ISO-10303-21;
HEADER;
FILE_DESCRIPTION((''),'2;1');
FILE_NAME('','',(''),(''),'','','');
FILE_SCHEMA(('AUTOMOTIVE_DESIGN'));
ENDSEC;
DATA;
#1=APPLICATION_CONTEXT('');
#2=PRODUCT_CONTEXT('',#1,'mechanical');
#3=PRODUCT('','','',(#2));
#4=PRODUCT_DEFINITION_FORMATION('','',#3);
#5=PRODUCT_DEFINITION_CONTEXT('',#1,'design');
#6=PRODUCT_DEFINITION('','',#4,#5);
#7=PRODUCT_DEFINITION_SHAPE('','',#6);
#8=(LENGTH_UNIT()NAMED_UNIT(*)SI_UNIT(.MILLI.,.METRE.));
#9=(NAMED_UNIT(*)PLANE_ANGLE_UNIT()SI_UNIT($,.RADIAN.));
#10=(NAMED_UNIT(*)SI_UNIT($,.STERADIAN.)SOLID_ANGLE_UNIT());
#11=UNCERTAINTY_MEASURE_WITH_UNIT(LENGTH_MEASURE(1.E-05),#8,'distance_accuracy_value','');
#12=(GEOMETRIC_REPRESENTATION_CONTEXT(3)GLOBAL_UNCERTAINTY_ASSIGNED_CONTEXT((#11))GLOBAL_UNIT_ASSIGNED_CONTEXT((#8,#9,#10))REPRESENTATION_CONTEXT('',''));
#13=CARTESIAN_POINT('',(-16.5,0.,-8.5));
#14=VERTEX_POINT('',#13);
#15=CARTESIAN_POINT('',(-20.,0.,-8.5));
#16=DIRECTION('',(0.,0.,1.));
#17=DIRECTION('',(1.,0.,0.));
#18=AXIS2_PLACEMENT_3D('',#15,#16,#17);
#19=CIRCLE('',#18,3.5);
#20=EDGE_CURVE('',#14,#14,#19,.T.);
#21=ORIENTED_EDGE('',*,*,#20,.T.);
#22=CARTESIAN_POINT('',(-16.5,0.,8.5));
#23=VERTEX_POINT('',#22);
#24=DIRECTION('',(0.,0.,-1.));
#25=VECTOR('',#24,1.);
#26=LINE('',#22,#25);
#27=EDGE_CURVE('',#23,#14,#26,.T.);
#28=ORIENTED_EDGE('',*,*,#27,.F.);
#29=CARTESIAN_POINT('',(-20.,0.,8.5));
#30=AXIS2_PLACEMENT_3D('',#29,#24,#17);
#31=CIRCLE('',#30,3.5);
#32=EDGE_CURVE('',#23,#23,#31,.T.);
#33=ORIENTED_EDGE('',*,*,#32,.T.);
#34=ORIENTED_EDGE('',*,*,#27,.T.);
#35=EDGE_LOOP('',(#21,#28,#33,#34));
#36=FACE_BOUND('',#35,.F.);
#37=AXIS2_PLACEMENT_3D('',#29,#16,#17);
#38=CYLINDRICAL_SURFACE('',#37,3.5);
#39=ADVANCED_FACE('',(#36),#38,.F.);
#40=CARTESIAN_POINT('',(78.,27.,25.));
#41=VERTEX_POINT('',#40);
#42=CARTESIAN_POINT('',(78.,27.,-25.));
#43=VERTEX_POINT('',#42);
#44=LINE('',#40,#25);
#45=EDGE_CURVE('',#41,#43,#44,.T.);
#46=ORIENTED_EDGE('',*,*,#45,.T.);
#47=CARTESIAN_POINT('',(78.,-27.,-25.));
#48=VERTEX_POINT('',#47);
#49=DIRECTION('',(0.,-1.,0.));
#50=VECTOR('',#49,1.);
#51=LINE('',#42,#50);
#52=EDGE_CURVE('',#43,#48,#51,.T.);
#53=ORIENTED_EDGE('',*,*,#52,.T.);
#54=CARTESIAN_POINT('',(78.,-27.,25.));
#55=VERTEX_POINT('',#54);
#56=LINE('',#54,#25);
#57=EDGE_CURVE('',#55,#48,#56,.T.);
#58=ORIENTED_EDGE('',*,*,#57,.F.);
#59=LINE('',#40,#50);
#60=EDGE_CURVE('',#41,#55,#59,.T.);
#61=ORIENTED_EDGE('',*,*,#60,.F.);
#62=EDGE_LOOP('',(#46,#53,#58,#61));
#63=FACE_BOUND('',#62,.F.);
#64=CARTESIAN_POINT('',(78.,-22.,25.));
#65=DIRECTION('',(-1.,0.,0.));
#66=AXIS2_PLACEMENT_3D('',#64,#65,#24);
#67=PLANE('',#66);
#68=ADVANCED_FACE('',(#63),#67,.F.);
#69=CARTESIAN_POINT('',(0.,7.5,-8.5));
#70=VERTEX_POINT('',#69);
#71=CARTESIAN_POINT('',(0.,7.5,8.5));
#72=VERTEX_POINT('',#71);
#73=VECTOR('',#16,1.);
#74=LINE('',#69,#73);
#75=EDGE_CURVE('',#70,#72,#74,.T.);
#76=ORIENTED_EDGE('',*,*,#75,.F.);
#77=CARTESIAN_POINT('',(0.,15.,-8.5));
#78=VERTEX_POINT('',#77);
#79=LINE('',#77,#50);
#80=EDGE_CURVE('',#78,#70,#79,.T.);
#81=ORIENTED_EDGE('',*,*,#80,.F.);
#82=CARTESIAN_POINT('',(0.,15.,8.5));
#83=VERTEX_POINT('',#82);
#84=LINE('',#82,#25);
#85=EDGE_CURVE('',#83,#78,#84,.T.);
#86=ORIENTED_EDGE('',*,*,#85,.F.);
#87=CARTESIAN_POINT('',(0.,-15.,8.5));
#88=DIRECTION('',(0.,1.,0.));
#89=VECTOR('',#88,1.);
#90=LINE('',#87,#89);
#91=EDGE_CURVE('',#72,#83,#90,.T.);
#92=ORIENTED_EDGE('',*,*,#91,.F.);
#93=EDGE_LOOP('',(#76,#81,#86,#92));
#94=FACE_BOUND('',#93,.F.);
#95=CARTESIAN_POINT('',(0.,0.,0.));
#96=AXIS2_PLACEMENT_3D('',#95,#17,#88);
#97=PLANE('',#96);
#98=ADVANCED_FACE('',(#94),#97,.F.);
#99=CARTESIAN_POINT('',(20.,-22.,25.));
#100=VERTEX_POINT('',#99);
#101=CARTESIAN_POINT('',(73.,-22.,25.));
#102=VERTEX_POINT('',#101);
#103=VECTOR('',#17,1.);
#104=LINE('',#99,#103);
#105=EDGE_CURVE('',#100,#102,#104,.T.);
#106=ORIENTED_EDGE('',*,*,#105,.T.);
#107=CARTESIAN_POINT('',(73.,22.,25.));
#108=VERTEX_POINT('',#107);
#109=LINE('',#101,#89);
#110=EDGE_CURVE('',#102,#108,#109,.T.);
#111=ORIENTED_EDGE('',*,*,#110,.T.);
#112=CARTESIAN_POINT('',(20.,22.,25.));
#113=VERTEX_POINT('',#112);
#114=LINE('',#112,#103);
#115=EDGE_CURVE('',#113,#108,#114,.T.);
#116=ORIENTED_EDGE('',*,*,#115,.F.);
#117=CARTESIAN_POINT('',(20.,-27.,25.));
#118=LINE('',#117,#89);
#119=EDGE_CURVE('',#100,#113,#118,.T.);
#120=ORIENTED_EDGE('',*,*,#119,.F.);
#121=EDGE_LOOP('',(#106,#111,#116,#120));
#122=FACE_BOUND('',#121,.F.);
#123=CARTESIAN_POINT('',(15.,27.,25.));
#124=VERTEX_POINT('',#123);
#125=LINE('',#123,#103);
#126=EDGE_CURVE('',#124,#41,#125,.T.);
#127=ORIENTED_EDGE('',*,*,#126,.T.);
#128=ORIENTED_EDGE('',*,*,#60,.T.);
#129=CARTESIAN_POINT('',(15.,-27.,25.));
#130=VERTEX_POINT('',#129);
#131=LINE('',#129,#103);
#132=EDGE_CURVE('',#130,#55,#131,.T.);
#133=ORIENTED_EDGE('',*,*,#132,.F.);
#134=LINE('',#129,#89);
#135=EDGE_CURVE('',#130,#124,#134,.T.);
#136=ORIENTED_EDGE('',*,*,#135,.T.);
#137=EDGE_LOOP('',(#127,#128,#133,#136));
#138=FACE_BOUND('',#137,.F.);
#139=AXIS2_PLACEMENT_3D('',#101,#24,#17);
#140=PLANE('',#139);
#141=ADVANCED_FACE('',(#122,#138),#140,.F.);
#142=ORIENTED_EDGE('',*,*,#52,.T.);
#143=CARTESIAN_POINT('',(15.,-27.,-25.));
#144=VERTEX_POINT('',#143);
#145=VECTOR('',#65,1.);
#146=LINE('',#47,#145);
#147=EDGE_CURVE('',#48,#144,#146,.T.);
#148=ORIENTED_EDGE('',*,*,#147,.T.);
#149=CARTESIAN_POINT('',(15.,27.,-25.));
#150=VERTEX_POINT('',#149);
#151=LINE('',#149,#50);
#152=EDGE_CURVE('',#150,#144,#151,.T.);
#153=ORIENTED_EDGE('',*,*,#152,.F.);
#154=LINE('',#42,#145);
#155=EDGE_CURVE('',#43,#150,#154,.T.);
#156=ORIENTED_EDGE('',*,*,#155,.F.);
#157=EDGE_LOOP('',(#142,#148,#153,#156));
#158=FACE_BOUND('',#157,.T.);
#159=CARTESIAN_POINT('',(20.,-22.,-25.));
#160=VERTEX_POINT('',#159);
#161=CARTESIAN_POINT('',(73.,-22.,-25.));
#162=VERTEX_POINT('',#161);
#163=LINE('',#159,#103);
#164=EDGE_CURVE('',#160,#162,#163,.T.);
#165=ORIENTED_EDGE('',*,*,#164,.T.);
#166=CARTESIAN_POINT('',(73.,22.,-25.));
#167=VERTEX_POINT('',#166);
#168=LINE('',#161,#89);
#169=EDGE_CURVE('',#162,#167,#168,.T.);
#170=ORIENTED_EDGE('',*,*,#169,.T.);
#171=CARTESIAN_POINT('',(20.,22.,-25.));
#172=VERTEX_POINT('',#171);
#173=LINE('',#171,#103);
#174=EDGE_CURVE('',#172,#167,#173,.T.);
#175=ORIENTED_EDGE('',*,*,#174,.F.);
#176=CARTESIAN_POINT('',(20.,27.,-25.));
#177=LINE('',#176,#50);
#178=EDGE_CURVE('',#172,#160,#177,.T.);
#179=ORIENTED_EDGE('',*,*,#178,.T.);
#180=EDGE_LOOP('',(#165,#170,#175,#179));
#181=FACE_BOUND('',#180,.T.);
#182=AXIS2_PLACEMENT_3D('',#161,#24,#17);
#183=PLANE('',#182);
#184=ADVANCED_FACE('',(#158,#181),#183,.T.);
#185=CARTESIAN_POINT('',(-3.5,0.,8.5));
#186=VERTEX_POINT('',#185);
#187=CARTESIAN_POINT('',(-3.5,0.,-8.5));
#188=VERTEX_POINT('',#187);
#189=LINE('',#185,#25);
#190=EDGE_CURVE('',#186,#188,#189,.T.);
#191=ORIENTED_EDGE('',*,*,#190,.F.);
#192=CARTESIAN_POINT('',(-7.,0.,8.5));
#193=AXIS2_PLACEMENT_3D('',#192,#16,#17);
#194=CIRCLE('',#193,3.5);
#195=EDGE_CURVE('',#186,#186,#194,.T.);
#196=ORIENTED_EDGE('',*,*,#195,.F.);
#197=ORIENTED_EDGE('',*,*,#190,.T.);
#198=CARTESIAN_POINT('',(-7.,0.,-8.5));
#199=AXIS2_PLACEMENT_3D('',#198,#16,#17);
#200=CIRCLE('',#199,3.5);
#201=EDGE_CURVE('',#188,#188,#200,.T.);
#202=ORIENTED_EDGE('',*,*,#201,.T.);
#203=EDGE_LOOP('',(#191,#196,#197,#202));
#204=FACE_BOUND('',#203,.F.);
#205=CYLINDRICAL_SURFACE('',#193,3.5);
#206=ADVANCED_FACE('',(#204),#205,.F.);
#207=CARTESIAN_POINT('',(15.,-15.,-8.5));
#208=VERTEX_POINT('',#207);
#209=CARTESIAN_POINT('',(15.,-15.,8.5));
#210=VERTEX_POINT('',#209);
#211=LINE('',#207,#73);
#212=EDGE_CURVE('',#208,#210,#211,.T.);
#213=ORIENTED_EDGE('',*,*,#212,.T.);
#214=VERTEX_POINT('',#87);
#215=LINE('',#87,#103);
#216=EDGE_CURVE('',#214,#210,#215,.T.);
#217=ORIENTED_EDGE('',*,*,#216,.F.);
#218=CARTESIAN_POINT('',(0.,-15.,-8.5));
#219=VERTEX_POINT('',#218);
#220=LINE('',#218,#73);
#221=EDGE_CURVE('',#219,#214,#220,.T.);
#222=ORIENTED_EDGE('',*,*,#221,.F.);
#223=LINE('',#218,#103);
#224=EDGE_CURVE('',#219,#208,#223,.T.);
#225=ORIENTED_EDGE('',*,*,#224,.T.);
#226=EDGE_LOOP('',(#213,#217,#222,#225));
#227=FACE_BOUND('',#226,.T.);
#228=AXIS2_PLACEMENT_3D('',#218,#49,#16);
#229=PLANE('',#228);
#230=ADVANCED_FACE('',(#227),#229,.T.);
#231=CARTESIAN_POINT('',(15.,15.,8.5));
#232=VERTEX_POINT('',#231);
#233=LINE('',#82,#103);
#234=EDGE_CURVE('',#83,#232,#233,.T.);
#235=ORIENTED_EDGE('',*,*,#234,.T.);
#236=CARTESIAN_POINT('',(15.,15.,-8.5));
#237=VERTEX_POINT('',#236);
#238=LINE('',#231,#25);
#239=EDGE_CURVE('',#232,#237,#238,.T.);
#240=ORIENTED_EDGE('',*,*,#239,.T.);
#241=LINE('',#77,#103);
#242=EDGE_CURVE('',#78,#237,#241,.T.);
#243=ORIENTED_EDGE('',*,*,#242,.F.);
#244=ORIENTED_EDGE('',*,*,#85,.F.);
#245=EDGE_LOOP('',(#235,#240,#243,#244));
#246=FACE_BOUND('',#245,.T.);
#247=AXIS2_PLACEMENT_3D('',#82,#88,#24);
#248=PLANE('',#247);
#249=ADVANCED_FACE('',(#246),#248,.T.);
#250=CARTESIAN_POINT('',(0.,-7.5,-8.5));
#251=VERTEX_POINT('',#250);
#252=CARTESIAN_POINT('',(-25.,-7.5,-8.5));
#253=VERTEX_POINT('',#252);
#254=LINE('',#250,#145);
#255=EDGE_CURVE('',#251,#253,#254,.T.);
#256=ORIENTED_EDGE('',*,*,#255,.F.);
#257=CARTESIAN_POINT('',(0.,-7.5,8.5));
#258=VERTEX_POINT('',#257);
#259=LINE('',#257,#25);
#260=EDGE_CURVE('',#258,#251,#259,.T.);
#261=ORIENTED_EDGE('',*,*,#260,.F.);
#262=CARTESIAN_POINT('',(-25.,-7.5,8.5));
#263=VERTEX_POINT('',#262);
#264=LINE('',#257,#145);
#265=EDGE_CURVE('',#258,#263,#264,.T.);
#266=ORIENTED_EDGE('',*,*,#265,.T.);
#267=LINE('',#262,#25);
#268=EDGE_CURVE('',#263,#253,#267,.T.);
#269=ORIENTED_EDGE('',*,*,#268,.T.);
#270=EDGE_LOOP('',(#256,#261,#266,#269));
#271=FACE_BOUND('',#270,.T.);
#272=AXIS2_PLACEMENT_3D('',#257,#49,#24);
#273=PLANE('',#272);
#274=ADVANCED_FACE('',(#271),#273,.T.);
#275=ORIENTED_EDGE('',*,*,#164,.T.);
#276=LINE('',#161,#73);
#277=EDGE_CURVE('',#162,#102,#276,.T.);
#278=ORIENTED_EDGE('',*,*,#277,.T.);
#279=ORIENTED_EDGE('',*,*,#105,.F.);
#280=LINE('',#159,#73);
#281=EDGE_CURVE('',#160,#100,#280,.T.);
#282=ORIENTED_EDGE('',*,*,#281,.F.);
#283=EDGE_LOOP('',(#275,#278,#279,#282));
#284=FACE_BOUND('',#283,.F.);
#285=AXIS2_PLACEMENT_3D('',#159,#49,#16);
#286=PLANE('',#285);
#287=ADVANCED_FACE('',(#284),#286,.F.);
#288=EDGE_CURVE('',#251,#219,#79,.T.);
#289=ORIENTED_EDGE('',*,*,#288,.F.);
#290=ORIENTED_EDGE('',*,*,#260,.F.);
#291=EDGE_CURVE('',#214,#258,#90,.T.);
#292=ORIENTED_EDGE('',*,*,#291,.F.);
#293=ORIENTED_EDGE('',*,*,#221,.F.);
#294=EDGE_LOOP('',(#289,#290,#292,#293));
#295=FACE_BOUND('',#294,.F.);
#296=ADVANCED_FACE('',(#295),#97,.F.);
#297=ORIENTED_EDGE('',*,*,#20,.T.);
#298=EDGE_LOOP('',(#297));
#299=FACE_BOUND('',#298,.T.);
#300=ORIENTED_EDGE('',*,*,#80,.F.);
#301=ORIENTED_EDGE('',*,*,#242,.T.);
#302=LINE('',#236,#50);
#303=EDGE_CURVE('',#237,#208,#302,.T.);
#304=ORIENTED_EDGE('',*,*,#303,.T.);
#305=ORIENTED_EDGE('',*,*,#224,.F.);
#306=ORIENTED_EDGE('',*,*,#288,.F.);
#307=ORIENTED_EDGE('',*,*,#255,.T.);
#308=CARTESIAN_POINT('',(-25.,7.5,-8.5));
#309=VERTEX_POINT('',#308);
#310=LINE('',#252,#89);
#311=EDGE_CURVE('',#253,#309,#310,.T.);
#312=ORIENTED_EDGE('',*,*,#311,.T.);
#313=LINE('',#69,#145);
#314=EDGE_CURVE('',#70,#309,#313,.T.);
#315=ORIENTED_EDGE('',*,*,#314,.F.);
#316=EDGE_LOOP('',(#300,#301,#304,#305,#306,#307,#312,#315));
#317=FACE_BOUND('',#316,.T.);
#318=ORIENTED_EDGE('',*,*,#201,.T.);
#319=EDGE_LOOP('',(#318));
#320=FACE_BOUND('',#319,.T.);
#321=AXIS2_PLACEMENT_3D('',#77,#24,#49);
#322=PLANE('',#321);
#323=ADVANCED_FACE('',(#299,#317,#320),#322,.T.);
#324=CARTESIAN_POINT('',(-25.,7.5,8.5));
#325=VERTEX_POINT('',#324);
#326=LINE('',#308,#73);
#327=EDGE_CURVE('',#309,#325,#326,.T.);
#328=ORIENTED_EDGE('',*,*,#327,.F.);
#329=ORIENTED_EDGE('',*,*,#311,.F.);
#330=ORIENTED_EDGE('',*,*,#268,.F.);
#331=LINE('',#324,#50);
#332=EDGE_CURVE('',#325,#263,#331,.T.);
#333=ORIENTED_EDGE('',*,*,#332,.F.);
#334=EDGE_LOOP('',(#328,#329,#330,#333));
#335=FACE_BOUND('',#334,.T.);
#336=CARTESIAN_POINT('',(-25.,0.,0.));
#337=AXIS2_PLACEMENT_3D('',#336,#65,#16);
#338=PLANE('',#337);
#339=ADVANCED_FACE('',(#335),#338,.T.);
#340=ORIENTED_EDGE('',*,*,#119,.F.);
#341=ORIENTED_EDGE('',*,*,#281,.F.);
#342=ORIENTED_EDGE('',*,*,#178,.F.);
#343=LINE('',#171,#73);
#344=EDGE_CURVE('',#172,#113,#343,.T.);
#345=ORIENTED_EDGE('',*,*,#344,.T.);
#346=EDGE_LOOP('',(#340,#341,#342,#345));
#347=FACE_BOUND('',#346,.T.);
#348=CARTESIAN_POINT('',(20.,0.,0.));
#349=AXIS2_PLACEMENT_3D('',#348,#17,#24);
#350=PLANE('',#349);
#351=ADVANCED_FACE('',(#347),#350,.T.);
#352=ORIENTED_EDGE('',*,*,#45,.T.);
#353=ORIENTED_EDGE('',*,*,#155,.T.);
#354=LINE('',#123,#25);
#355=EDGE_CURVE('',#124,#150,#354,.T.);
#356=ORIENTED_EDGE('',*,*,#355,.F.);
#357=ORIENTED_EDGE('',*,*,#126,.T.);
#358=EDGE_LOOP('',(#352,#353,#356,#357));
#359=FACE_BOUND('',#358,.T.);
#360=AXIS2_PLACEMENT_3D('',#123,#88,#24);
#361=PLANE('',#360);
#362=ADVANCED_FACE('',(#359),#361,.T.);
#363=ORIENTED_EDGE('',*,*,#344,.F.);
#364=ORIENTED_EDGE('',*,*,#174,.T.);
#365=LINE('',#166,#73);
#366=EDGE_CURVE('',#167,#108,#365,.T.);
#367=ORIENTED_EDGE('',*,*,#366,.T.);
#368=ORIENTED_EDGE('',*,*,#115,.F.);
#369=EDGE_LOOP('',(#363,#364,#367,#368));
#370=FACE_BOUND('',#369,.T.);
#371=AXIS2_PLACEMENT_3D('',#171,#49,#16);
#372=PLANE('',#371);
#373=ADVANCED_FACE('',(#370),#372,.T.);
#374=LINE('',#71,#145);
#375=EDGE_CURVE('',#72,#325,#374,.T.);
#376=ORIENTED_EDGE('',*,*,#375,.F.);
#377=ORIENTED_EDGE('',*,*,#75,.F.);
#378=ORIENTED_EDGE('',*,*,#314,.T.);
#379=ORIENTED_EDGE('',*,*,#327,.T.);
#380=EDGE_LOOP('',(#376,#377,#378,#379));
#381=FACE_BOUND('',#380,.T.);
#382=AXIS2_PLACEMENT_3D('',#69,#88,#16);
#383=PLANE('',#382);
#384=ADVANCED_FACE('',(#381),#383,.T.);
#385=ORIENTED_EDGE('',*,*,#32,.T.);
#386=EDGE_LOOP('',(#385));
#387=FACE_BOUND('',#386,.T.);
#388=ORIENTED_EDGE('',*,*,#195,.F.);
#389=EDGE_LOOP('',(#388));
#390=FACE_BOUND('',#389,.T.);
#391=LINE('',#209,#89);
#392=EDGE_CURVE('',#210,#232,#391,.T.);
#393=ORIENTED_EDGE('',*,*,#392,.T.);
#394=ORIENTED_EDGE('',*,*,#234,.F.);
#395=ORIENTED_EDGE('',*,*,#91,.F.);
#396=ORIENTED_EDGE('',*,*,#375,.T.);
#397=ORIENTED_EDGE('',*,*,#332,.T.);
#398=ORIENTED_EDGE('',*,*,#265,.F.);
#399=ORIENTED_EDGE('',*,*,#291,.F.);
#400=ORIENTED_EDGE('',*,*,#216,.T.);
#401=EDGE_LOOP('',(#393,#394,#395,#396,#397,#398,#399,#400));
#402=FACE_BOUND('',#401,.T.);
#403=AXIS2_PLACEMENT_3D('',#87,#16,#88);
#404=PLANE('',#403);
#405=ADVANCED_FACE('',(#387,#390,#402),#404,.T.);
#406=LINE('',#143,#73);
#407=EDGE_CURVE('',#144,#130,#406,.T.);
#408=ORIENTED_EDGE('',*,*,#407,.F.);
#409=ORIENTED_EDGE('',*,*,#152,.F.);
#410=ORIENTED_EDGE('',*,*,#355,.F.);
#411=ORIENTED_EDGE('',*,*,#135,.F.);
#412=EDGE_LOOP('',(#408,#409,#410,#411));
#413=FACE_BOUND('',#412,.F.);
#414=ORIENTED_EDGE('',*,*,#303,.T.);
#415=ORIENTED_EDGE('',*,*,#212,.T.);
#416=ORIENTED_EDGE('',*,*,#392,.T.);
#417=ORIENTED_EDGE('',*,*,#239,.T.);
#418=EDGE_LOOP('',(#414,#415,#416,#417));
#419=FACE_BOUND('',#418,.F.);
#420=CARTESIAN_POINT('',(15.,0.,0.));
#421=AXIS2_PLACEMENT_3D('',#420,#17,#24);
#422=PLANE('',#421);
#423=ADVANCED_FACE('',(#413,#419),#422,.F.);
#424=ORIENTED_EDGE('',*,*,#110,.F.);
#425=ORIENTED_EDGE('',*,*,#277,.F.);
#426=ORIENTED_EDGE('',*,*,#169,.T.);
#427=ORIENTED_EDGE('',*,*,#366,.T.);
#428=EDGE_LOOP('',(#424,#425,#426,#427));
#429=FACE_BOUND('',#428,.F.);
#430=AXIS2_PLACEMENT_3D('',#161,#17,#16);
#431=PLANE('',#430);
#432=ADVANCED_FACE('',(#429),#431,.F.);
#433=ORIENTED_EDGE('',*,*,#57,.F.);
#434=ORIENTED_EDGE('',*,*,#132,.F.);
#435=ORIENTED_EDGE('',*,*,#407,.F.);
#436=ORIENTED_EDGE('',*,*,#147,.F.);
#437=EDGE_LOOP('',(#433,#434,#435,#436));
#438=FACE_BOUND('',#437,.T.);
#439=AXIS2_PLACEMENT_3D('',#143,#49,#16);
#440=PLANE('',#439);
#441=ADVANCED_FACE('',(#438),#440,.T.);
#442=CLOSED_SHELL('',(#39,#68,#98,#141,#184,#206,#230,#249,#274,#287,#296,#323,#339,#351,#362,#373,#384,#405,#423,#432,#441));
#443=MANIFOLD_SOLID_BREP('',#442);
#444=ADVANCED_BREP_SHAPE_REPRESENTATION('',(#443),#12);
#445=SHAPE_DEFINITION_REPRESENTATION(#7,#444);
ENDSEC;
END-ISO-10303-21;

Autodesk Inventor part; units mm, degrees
ref_plane "YZ Plane" through (0, 0, 0) normal (1, 0, 0) x (0, 1, 0)
ref_plane "XZ Plane" through (0, 0, 0) normal (0, 1, 0) x (-1, 0, 0)
ref_plane "XY Plane" through (0, 0, 0) normal (0, 0, 1) x (1, 0, 0)
sketch "Sketch1" plane through (0, 0, 0) normal (1, 0, 0) x (0, 1, 0)
  line L0 (-15, 8.5) -> (15, 8.5)
  line L1 (15, 8.5) -> (15, -8.5)
  line L2 (15, -8.5) -> (-15, -8.5)
  line L3 (-15, -8.5) -> (-15, 8.5)
  line L4 (-15, 8.5) -> (15, -8.5) construction
  line L5 (15, 8.5) -> (-15, -8.5) construction
  point P0 (0, 0)
  dimension "d0" = 30
  dimension "d1" = 17
extrude "Extrusion1" add sketch "Sketch1" along normal blind 15
sketch "Sketch2" plane through (0, 0, 0) normal (-1, 0, 0) x (0, 0, 1)
  line L0 (-8.5, 7.5) -> (8.5, 7.5)
  line L1 (8.5, 7.5) -> (8.5, -7.5)
  line L2 (8.5, -7.5) -> (-8.5, -7.5)
  line L3 (-8.5, -7.5) -> (-8.5, 7.5)
  line L4 (-8.5, 7.5) -> (8.5, -7.5) construction
  line L5 (8.5, 7.5) -> (-8.5, -7.5) construction
  point P0 (0, 0)
  dimension "d4" = 17
  dimension "d5" = 15
extrude "Extrusion2" add sketch "Sketch2" along normal blind 25
sketch "Sketch3" plane through (15, 0, 0) normal (1, 0, 0) x (0, 0, -1)
  line L0 (-25, 27) -> (25, 27)
  line L1 (25, 27) -> (25, -27)
  line L2 (25, -27) -> (-25, -27)
  line L3 (-25, -27) -> (-25, 27)
  line L4 (-25, 27) -> (25, -27) construction
  line L5 (25, 27) -> (-25, -27) construction
  point P0 (0, 0)
  dimension "d8" = 50
  dimension "d9" = 54
extrude "Extrusion3" add sketch "Sketch3" along normal blind 5
sketch "Sketch4" plane through (20, 0, 0) normal (1, 0, 0) x (0, 0, -1)
  line L0 (-25, 27) -> (-25, -27) projected
  line L1 (-25, 27) -> (25, 27)
  line L2 (25, 27) -> (25, 22)
  line L3 (25, 22) -> (-25, 22)
  line L4 (-25, 22) -> (-25, 27)
  line L5 (-25, -27) -> (25, -27) projected
  line L6 (-25, -27) -> (25, -27)
  line L7 (25, -27) -> (25, -22)
  line L8 (25, -22) -> (-25, -22)
  line L9 (-25, -22) -> (-25, -27)
  point P0 (0, 0)
  dimension "d12" = 50
  dimension "d13" = 5
  dimension "d14" = 50
  dimension "d15" = 5
extrude "Extrusion4" add sketch "Sketch4" along normal blind 58
sketch "Sketch5" plane through (20, -22, 25) normal (0, 1, 0) x (1, 0, 0)
  line L0 (0, 50) -> (58, 50) projected
  line L1 (0, 0) -> (58, 0) projected
  line L2 (58, 50) -> (53, 50)
  line L3 (53, 50) -> (53, 0)
  line L4 (53, 0) -> (58, 0)
  line L5 (58, 0) -> (58, 50)
  point P0 (-20, 25)
  dimension "d18" = 5
extrude "Extrusion5" add sketch "Sketch5" along normal blind 45
sketch "Sketch6" plane through (15, -27, 25) normal (0, 0, 1) x (1, 0, 0)
  point P0 (-15, 27)
sketch "Sketch7" plane through (0, 7.5, 8.5) normal (0, 0, 1) x (1, 0, 0)
  line L0 (-25, 0) -> (-25, -15) projected
  line L1 (-25, -7.5) -> (-20, -7.5)
  line L2 (0, -7.5) -> (-7, -7.5)
  circle A0 centre (-7, -7.5) radius 3.5
  circle A1 centre (-20, -7.5) radius 3.5
  dimension "d21" = 5
  dimension "d22" = 7
  dimension "d23" = 7
  dimension "d24" = 7
extrude "Extrusion6" cut sketch "Sketch7" against normal through all
sketch "Sketch8" plane through (0, -15, -8.5) normal (0, 0, -1) x (-1, 0, 0)
  point P0 (0, 15)
properties part number "Upper_battery"
